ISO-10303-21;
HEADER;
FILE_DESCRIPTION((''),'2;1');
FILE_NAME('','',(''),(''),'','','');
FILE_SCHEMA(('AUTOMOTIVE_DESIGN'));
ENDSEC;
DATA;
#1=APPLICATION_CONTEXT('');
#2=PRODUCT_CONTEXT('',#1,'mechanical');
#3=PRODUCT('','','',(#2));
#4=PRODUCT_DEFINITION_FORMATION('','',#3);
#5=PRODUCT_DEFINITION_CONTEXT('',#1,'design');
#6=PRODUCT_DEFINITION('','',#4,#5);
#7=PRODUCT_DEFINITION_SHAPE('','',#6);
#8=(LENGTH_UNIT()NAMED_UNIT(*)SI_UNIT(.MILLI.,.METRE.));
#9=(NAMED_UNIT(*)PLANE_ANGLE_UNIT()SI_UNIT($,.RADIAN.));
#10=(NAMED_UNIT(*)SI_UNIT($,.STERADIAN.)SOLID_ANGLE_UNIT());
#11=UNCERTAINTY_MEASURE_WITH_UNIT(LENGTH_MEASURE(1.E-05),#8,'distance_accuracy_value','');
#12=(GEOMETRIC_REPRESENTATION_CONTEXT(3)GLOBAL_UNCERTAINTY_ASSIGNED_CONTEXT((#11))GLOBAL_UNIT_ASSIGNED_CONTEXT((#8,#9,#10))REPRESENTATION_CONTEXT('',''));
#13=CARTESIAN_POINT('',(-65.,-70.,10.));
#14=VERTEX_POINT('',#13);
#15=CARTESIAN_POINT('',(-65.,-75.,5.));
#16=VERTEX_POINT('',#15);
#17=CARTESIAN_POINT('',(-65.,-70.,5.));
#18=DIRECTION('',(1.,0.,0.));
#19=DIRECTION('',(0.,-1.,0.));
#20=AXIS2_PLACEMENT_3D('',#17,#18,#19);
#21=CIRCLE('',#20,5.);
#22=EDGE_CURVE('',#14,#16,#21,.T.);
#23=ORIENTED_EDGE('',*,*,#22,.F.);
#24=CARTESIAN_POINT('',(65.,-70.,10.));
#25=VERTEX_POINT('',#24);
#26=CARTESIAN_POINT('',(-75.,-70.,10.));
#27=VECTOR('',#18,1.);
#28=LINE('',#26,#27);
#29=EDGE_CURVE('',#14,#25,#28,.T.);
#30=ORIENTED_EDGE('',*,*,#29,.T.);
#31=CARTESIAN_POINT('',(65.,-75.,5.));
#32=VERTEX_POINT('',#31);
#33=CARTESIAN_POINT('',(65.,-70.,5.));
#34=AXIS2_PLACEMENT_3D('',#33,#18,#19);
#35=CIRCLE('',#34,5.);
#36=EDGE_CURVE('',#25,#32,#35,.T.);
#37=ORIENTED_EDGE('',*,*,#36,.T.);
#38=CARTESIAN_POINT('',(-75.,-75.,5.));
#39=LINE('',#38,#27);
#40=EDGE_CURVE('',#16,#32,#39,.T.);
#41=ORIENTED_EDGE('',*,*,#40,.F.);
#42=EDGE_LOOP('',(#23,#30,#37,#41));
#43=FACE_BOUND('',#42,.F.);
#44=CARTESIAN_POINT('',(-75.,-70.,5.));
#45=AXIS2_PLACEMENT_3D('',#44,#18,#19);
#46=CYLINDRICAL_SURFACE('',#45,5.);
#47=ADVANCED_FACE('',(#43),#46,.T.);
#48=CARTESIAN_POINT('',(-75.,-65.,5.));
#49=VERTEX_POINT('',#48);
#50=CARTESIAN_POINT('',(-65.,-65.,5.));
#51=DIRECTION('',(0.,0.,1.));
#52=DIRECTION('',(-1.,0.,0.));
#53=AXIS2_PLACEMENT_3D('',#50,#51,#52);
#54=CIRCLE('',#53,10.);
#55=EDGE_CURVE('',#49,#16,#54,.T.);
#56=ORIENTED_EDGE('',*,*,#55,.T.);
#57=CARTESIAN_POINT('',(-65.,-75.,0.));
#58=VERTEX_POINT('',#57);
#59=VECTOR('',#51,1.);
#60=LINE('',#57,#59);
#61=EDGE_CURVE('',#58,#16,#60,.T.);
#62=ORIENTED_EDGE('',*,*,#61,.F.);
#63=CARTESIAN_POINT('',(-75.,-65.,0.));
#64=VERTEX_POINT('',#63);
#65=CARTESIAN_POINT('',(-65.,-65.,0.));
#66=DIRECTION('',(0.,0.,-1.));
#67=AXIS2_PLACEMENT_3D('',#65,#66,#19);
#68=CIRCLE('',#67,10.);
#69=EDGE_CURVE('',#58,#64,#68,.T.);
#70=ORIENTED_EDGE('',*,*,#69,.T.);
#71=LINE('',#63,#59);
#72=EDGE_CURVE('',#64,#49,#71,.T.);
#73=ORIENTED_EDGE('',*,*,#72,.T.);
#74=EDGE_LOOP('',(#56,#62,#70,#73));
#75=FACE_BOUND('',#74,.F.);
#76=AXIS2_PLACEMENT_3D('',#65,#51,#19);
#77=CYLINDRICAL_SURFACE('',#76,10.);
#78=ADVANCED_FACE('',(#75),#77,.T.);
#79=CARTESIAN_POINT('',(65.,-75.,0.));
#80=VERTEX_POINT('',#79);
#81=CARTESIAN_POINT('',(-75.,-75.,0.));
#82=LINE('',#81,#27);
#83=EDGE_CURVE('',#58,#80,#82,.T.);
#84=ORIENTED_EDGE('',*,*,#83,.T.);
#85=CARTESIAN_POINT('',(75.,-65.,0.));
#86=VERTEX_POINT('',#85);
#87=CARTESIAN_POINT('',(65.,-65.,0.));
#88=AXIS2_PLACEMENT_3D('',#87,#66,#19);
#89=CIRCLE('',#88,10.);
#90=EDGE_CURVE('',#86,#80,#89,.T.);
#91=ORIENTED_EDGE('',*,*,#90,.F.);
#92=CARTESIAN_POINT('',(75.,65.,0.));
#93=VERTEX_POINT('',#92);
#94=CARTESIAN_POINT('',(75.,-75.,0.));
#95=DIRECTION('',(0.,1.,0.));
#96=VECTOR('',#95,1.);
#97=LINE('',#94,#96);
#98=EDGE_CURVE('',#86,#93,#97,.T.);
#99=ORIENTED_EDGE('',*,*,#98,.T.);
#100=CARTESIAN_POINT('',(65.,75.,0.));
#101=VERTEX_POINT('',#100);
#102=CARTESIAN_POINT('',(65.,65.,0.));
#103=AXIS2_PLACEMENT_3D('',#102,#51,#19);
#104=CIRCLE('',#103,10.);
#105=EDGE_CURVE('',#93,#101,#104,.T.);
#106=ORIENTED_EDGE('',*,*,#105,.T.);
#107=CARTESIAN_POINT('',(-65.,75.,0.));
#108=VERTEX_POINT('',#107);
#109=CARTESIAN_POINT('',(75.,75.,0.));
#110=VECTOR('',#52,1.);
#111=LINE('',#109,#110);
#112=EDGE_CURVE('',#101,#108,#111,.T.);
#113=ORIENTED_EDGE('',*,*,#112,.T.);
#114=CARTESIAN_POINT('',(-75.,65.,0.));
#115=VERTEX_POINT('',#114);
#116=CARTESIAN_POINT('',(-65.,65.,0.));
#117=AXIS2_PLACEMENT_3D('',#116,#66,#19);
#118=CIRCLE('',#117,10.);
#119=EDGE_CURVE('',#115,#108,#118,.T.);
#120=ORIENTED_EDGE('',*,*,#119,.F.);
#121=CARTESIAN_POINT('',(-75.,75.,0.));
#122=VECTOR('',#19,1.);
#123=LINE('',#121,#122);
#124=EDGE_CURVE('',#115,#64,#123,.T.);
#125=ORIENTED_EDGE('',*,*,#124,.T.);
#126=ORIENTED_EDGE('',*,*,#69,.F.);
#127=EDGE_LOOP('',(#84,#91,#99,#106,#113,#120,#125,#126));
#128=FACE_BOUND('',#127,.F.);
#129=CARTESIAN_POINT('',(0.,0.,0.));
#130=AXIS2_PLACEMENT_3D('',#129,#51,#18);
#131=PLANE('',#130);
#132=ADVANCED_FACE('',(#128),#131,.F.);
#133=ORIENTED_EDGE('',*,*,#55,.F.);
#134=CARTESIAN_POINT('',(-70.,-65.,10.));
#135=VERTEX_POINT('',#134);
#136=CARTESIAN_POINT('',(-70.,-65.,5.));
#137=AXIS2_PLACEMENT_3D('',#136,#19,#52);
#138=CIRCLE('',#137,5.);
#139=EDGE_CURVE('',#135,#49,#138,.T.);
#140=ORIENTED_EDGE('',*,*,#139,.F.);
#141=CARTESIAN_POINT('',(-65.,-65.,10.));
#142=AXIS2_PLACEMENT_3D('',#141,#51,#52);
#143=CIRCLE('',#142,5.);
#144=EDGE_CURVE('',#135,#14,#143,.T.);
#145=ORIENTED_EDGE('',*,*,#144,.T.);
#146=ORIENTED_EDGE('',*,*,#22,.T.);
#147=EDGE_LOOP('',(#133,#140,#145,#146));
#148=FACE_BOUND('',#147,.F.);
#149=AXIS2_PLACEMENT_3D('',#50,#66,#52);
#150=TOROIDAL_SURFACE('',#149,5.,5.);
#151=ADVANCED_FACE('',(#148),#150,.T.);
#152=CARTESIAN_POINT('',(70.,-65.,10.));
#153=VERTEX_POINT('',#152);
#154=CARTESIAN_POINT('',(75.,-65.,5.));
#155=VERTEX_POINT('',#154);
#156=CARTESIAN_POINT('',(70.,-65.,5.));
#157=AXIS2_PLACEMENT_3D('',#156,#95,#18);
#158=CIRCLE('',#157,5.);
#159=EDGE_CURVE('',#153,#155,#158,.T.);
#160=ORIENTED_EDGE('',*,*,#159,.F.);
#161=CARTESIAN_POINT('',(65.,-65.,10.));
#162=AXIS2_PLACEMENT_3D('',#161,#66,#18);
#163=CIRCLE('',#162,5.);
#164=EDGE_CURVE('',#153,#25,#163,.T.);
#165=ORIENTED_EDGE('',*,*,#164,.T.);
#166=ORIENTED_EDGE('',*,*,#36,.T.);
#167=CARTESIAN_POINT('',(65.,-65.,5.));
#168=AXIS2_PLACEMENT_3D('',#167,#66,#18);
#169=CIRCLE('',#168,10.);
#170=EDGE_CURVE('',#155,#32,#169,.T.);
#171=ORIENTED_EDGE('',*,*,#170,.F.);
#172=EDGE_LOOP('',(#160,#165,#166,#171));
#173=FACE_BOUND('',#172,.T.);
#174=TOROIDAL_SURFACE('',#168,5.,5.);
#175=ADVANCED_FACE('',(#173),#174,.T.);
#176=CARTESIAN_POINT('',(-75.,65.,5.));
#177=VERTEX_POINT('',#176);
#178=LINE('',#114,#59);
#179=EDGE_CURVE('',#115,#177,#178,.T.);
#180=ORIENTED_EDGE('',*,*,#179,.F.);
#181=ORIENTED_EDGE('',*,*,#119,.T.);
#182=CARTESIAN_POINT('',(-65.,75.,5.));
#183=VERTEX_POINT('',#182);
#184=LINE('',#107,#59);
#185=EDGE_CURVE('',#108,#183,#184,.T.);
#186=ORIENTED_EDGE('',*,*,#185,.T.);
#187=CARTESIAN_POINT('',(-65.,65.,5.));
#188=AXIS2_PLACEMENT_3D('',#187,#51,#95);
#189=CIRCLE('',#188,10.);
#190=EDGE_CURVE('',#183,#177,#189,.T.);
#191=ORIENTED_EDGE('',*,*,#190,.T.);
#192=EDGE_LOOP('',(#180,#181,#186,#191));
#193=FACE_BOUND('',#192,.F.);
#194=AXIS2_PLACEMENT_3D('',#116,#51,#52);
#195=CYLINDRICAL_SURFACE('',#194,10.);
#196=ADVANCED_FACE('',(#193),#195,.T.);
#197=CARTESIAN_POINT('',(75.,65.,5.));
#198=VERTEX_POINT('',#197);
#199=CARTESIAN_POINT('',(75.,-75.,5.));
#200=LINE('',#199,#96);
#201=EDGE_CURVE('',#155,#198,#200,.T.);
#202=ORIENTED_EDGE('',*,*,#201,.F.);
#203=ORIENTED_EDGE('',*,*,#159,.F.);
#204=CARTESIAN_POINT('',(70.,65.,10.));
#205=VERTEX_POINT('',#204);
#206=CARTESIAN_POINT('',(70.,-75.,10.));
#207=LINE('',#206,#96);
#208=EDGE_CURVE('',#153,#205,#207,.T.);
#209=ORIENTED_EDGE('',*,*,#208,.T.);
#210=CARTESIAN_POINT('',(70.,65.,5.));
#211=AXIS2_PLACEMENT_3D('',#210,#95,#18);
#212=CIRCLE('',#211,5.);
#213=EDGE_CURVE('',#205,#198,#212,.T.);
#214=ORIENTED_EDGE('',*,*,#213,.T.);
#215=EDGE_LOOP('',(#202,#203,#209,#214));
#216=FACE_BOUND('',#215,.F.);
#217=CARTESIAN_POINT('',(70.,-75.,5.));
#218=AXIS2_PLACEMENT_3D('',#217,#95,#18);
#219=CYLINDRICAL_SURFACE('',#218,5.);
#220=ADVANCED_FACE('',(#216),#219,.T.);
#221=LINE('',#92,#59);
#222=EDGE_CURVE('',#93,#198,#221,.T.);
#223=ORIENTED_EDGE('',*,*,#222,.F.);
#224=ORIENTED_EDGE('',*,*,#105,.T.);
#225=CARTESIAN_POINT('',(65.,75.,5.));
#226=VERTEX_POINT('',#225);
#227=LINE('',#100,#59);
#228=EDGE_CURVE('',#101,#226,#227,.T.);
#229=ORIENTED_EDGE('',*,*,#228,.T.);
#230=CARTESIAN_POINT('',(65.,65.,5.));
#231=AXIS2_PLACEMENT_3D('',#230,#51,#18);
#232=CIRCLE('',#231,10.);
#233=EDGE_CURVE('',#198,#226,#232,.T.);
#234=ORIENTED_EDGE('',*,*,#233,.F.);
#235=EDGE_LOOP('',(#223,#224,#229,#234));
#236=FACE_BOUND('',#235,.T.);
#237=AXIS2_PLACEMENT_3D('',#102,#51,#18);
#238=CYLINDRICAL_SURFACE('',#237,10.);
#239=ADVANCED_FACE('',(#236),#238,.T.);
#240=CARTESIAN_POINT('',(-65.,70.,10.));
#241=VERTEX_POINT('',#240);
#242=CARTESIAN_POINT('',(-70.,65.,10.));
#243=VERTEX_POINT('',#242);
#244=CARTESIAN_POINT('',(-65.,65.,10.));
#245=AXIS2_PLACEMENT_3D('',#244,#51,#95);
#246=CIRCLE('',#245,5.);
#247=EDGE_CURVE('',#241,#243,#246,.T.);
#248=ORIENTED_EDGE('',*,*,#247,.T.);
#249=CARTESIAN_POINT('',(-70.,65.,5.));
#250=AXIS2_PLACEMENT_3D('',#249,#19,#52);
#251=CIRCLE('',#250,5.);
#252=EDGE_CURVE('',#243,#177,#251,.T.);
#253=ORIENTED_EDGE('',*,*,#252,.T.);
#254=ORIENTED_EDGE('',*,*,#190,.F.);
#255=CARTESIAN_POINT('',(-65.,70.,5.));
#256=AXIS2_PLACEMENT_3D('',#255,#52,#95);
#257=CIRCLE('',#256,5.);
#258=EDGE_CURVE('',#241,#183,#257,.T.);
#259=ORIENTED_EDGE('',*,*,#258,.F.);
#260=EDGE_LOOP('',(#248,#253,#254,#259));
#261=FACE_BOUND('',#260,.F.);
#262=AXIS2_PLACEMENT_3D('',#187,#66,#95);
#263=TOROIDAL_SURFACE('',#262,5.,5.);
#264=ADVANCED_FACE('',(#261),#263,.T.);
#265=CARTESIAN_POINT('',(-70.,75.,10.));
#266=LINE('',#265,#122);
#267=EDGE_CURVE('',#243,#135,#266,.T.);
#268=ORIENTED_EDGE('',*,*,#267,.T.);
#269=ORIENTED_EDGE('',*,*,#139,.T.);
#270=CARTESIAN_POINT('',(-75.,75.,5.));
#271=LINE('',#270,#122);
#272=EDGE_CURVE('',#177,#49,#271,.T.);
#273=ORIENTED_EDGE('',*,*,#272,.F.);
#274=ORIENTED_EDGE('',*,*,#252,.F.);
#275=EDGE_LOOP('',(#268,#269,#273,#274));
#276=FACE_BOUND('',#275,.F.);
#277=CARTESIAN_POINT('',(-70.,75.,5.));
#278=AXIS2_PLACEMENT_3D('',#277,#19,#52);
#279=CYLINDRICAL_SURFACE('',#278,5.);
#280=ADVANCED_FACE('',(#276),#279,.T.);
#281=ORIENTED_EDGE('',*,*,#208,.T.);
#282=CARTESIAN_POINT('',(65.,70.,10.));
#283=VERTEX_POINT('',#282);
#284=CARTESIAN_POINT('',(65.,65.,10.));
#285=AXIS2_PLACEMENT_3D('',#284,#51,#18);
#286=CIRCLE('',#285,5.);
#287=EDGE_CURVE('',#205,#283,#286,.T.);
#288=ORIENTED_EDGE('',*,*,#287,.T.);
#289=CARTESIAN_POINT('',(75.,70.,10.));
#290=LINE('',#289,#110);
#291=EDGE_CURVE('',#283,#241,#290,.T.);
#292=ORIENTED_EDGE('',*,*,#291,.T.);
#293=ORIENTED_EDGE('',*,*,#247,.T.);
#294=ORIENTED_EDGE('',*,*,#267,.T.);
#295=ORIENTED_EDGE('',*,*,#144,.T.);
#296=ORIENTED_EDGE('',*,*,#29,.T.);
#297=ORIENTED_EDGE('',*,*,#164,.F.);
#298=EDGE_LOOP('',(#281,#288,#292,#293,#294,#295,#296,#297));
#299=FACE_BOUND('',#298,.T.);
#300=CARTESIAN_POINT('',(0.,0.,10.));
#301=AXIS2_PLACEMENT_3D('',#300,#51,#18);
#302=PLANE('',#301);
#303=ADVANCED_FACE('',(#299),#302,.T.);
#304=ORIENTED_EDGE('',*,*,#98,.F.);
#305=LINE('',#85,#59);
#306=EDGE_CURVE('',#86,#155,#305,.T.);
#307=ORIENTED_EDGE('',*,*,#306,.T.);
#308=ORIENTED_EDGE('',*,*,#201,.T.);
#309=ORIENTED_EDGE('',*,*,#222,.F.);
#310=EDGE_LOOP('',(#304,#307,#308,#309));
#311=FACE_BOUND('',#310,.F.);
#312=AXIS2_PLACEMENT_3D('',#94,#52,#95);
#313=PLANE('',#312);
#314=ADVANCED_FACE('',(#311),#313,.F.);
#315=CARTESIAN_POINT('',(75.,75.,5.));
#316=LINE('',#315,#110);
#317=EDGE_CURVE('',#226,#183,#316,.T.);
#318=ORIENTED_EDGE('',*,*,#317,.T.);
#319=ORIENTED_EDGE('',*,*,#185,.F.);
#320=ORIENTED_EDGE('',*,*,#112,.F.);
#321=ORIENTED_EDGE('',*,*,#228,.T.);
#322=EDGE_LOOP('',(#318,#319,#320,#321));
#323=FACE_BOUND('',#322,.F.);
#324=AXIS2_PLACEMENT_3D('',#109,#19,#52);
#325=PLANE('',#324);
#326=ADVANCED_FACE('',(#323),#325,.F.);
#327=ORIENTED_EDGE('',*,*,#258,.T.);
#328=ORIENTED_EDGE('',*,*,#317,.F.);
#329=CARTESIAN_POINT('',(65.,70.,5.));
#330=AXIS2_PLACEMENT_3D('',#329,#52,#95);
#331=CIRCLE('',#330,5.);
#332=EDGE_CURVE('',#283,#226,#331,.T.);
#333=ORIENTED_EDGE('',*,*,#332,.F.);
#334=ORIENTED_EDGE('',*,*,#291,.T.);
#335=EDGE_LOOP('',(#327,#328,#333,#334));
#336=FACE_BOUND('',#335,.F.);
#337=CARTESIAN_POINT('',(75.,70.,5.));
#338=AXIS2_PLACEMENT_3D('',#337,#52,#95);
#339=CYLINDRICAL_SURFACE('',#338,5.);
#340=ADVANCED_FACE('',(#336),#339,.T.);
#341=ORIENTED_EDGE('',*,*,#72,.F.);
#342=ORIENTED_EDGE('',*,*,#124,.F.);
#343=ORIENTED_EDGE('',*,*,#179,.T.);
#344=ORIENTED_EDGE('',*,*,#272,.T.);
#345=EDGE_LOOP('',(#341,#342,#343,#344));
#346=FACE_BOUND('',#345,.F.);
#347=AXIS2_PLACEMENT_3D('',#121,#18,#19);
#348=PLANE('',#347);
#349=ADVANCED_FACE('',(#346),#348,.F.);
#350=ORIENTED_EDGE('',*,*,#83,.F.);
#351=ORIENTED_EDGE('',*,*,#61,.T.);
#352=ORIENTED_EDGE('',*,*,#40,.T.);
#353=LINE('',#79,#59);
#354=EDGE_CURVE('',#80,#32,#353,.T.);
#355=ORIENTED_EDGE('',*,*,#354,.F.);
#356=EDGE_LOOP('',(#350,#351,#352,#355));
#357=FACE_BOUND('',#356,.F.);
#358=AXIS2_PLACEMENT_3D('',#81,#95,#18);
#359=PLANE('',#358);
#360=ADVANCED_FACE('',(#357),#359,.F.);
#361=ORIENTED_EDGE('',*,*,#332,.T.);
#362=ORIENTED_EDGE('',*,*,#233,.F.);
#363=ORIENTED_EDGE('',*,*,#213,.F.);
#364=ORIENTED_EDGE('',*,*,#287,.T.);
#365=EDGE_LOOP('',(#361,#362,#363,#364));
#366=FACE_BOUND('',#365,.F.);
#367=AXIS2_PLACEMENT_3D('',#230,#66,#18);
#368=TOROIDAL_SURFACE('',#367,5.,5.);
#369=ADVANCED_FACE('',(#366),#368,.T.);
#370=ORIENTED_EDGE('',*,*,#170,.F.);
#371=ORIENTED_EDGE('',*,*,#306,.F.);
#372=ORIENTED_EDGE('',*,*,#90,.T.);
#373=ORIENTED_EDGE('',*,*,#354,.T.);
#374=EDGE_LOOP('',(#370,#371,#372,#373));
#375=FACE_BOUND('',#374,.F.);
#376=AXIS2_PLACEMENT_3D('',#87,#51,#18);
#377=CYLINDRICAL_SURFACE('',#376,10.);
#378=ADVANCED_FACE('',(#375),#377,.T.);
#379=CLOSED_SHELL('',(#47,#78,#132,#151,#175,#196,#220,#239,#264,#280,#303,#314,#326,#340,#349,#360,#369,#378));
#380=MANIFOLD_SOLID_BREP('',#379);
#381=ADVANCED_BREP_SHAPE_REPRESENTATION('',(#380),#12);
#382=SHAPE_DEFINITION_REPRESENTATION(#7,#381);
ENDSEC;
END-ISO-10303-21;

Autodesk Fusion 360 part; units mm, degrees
sketch "Sketch2" plane through (0, -66.1791, -11.6692) normal (0, -0.9848, -0.1736) x (1, 0, 0)
  line L0 (-65, 123.5461) -> (-65, 22.0034)
  line L1 (-65, 22.0034) -> (65, 22.0034)
  line L2 (65, 22.0034) -> (65, 123.5461)
  line L3 (65, 123.5461) -> (55, 123.5461)
  line L4 (55, 123.5461) -> (-65, 123.5461)
  circle A0 centre (25, 62.0034) radius 0
  dimension "d1" = 0
  dimension "d2" = 40
  dimension "d3" = 40
sketch "Sketch1" plane through (0, 0, 0) normal (0, 0, 1) x (1, 0, 0)
  line L0 (75, 75) -> (-75, 75)
  line L1 (-75, 75) -> (-75, -75)
  line L2 (-75, -75) -> (75, -75)
  line L3 (75, -75) -> (75, 75)
  line L4 (75, 75) -> (-75, -75) construction
  line L5 (-75, 75) -> (75, -75) construction
  dimension "d17" = 150
  dimension "d18" = 150
extrude "Extrude1" add sketch "Sketch1" along normal blind 10
fillet "Fillet1" radius 10 4 edges at (-75, -75, 5) (75, -75, 5) (75, 75, 5) (-75, 75, 5)
fillet "Fillet1" radius 5 4 edges at (75, 0, 10) (0, 75, 10) (-75, 0, 10) (0, -75, 10)
extrude "Extrude2" [suppressed]
equation "d17 = standwidth"
equation "d18 = standwidth"
equation "d19 = standheight"
equation "standwidth = 150 mm"
equation "standheight = 10 mm"
equation "d1 = speakerhole_f"
